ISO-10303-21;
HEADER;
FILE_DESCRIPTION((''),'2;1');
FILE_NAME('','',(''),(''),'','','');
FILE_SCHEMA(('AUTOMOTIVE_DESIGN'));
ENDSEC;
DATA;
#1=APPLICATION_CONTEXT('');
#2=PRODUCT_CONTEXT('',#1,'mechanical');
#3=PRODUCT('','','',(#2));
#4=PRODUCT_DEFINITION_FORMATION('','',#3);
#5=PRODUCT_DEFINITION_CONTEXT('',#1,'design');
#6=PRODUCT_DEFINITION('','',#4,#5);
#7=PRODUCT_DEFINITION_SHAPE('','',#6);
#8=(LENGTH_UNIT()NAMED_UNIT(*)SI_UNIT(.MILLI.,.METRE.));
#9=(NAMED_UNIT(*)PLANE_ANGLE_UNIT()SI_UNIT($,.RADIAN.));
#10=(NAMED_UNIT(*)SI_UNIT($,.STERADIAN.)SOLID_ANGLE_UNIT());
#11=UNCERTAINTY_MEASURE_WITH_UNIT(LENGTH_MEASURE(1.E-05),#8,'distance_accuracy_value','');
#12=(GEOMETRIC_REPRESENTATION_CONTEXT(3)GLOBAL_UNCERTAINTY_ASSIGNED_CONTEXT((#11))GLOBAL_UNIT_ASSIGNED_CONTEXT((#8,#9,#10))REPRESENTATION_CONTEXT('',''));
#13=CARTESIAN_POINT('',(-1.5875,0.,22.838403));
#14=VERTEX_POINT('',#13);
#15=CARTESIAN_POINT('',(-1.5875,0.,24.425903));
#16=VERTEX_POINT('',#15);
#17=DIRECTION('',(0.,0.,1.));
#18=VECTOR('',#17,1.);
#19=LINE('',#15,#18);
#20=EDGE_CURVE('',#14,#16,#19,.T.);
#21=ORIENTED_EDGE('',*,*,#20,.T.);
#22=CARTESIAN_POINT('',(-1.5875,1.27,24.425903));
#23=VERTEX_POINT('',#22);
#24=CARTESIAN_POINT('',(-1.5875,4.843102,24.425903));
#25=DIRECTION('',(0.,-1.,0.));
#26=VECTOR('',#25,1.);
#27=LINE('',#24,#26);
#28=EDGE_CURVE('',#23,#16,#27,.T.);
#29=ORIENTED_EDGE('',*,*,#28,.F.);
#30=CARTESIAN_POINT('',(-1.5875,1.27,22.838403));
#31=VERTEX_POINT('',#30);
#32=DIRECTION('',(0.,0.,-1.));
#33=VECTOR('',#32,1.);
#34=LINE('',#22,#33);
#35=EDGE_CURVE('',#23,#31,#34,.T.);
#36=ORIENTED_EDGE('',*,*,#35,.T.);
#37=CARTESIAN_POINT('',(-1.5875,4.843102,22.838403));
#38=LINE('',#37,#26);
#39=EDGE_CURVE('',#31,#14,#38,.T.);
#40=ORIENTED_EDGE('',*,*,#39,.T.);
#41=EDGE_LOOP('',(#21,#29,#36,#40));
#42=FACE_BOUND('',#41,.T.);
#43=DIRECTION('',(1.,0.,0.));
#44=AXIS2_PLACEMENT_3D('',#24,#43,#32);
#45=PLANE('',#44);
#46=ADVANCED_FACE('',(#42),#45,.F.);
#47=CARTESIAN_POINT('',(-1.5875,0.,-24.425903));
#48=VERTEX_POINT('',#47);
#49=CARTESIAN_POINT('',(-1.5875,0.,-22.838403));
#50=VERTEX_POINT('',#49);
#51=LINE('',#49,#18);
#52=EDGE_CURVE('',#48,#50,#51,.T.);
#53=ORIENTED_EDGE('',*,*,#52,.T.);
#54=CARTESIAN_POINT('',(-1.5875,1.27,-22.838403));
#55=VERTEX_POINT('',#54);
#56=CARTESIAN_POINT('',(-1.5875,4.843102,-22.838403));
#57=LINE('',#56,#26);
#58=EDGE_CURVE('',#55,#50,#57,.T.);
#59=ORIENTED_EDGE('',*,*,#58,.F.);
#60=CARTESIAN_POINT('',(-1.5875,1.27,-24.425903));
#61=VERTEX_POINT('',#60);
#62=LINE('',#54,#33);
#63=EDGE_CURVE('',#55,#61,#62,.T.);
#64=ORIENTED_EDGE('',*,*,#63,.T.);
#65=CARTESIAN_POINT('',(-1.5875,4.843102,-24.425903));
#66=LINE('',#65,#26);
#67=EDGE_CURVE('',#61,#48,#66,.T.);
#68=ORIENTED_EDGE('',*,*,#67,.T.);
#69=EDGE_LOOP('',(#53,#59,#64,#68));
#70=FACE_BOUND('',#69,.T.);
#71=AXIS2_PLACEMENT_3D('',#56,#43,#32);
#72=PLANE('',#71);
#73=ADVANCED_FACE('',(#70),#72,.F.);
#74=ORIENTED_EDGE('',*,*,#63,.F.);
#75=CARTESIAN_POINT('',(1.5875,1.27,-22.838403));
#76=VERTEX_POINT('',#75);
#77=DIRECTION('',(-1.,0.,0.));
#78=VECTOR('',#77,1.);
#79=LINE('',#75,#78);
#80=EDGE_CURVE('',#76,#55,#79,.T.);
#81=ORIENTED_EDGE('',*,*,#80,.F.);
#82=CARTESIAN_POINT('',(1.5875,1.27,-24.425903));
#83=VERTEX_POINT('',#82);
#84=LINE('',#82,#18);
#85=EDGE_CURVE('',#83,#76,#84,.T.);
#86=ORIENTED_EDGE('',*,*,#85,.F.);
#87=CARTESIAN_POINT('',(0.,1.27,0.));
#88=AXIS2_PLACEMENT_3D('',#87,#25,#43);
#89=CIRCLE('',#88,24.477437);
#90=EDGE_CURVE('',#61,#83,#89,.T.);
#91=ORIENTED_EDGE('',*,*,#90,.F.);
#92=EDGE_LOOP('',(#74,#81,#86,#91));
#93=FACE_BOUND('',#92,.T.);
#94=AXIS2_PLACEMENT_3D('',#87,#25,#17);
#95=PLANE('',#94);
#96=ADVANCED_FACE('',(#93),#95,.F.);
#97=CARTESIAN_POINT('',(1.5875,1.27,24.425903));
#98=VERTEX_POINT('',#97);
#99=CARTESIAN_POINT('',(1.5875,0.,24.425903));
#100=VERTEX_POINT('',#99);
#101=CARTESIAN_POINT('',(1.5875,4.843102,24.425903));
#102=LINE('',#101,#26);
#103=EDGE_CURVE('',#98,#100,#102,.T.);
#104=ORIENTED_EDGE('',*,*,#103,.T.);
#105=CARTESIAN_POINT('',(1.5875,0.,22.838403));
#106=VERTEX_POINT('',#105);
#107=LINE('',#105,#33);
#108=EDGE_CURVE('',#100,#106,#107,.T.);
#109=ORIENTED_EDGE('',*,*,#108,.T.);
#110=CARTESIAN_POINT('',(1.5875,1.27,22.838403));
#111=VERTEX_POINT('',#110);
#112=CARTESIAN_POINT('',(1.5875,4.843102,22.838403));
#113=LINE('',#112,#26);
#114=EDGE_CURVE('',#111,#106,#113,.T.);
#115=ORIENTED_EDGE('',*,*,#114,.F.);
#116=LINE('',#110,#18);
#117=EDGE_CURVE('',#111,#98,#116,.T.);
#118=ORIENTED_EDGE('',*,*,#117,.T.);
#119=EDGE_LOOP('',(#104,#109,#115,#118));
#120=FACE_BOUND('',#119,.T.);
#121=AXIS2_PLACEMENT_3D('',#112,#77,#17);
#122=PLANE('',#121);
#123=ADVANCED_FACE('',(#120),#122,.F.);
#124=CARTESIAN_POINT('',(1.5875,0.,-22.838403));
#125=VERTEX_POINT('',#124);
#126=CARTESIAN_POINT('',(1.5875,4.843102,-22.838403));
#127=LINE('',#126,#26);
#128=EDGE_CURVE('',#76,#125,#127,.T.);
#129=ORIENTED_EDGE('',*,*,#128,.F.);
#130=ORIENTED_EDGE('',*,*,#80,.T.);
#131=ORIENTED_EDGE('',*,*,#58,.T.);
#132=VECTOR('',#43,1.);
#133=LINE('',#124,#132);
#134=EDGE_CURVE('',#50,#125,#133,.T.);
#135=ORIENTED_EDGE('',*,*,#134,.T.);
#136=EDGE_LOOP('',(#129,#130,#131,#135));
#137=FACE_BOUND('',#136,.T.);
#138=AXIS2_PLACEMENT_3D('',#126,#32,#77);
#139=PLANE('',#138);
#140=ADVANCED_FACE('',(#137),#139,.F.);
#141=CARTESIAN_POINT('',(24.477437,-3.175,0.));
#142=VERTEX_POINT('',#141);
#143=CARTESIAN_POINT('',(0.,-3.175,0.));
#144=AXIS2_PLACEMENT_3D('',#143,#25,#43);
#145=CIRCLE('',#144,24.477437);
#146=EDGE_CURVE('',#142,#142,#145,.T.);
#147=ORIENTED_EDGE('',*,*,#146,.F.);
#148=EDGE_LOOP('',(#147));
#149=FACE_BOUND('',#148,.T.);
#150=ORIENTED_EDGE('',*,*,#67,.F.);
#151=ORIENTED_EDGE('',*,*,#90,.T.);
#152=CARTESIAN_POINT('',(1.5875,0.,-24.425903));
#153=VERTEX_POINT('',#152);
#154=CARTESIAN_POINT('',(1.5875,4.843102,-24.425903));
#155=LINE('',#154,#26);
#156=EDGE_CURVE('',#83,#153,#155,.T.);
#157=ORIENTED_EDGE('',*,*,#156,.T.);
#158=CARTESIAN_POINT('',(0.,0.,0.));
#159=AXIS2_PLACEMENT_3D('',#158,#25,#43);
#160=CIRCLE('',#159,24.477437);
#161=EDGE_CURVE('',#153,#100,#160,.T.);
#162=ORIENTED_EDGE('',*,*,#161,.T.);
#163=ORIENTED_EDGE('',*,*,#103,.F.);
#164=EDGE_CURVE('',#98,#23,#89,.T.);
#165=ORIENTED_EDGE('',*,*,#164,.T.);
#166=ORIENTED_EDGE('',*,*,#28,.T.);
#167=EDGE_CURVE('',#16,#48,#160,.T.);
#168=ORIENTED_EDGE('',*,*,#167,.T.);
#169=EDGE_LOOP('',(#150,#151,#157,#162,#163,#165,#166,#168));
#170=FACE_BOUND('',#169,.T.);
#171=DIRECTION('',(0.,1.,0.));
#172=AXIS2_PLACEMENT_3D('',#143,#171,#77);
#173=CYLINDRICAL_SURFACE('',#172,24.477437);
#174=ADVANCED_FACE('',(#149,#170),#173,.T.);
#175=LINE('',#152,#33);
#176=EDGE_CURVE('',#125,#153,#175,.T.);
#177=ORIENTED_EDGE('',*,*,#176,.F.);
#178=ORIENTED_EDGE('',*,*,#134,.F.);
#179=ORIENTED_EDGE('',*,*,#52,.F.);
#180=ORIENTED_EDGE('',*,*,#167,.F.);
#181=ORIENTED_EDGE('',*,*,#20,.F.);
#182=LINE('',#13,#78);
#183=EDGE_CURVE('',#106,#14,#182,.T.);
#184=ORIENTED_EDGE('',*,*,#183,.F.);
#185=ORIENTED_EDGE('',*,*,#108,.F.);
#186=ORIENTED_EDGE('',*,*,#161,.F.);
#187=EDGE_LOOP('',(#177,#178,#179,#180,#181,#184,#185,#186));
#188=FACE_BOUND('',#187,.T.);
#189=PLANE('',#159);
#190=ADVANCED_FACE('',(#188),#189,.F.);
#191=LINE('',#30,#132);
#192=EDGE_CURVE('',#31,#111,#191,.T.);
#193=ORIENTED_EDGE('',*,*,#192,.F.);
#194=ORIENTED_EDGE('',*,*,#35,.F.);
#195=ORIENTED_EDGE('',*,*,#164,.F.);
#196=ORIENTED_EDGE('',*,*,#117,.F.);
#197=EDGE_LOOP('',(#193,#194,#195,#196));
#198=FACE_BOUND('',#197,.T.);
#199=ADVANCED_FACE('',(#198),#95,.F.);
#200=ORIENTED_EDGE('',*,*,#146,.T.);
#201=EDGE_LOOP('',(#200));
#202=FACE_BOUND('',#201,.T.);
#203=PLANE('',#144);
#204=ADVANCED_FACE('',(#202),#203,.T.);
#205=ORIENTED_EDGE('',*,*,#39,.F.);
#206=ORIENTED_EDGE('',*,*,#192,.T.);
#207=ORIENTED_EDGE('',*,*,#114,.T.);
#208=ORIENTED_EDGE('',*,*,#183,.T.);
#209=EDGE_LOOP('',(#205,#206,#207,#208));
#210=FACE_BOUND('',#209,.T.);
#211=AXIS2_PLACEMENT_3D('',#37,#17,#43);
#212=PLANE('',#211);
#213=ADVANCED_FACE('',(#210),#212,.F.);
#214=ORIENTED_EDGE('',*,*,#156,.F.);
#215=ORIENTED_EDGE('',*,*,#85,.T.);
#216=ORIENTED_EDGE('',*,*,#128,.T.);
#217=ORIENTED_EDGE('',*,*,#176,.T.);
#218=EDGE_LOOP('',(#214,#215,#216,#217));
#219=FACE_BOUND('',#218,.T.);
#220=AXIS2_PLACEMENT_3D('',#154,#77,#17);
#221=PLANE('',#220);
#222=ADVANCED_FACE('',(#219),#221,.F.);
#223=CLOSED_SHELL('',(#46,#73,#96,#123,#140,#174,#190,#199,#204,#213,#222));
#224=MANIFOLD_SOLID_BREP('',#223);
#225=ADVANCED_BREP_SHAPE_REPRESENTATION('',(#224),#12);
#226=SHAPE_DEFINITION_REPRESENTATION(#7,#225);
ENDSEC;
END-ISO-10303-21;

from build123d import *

# Parameters (mm, degrees)
SKETCH1_R           = 24.477436685
BOSS_EXTRUDE1_DEPTH = 3.175
BOSS_EXTRUDE2_START = 1.27
BOSS_EXTRUDE2_DEPTH = 1.27


with BuildPart() as part:
    # Sketch1 → Boss-Extrude1 (new body)
    with BuildSketch(Plane.XZ):
        Circle(SKETCH1_R)
    extrude(amount=BOSS_EXTRUDE1_DEPTH)

    # Sketch2 → Boss-Extrude2 (add)
    with BuildSketch(Plane(origin=(0, 0, 0), x_dir=(1, 0, 0), z_dir=(0, 1, 0)).offset(BOSS_EXTRUDE2_START)):
        with BuildLine():
            Line((1.5875, 24.425903267), (1.5875, 22.838403267))
            Line((1.5875, 22.838403267), (-1.5875, 22.838403267))
            Line((-1.5875, 22.838403267), (-1.5875, 24.425903267))
            ThreePointArc((-1.5875, 24.425903267), (0, 24.477436685), (1.5875, 24.425903267))
        make_face()
        with BuildLine():
            Line((-1.5875, -24.425903267), (-1.5875, -22.838403267))
            Line((-1.5875, -22.838403267), (1.5875, -22.838403267))
            Line((1.5875, -22.838403267), (1.5875, -24.425903267))
            ThreePointArc((1.5875, -24.425903267), (0, -24.477436685), (-1.5875, -24.425903267))
        make_face()
    extrude(amount=-BOSS_EXTRUDE2_DEPTH)


solid = part.part
